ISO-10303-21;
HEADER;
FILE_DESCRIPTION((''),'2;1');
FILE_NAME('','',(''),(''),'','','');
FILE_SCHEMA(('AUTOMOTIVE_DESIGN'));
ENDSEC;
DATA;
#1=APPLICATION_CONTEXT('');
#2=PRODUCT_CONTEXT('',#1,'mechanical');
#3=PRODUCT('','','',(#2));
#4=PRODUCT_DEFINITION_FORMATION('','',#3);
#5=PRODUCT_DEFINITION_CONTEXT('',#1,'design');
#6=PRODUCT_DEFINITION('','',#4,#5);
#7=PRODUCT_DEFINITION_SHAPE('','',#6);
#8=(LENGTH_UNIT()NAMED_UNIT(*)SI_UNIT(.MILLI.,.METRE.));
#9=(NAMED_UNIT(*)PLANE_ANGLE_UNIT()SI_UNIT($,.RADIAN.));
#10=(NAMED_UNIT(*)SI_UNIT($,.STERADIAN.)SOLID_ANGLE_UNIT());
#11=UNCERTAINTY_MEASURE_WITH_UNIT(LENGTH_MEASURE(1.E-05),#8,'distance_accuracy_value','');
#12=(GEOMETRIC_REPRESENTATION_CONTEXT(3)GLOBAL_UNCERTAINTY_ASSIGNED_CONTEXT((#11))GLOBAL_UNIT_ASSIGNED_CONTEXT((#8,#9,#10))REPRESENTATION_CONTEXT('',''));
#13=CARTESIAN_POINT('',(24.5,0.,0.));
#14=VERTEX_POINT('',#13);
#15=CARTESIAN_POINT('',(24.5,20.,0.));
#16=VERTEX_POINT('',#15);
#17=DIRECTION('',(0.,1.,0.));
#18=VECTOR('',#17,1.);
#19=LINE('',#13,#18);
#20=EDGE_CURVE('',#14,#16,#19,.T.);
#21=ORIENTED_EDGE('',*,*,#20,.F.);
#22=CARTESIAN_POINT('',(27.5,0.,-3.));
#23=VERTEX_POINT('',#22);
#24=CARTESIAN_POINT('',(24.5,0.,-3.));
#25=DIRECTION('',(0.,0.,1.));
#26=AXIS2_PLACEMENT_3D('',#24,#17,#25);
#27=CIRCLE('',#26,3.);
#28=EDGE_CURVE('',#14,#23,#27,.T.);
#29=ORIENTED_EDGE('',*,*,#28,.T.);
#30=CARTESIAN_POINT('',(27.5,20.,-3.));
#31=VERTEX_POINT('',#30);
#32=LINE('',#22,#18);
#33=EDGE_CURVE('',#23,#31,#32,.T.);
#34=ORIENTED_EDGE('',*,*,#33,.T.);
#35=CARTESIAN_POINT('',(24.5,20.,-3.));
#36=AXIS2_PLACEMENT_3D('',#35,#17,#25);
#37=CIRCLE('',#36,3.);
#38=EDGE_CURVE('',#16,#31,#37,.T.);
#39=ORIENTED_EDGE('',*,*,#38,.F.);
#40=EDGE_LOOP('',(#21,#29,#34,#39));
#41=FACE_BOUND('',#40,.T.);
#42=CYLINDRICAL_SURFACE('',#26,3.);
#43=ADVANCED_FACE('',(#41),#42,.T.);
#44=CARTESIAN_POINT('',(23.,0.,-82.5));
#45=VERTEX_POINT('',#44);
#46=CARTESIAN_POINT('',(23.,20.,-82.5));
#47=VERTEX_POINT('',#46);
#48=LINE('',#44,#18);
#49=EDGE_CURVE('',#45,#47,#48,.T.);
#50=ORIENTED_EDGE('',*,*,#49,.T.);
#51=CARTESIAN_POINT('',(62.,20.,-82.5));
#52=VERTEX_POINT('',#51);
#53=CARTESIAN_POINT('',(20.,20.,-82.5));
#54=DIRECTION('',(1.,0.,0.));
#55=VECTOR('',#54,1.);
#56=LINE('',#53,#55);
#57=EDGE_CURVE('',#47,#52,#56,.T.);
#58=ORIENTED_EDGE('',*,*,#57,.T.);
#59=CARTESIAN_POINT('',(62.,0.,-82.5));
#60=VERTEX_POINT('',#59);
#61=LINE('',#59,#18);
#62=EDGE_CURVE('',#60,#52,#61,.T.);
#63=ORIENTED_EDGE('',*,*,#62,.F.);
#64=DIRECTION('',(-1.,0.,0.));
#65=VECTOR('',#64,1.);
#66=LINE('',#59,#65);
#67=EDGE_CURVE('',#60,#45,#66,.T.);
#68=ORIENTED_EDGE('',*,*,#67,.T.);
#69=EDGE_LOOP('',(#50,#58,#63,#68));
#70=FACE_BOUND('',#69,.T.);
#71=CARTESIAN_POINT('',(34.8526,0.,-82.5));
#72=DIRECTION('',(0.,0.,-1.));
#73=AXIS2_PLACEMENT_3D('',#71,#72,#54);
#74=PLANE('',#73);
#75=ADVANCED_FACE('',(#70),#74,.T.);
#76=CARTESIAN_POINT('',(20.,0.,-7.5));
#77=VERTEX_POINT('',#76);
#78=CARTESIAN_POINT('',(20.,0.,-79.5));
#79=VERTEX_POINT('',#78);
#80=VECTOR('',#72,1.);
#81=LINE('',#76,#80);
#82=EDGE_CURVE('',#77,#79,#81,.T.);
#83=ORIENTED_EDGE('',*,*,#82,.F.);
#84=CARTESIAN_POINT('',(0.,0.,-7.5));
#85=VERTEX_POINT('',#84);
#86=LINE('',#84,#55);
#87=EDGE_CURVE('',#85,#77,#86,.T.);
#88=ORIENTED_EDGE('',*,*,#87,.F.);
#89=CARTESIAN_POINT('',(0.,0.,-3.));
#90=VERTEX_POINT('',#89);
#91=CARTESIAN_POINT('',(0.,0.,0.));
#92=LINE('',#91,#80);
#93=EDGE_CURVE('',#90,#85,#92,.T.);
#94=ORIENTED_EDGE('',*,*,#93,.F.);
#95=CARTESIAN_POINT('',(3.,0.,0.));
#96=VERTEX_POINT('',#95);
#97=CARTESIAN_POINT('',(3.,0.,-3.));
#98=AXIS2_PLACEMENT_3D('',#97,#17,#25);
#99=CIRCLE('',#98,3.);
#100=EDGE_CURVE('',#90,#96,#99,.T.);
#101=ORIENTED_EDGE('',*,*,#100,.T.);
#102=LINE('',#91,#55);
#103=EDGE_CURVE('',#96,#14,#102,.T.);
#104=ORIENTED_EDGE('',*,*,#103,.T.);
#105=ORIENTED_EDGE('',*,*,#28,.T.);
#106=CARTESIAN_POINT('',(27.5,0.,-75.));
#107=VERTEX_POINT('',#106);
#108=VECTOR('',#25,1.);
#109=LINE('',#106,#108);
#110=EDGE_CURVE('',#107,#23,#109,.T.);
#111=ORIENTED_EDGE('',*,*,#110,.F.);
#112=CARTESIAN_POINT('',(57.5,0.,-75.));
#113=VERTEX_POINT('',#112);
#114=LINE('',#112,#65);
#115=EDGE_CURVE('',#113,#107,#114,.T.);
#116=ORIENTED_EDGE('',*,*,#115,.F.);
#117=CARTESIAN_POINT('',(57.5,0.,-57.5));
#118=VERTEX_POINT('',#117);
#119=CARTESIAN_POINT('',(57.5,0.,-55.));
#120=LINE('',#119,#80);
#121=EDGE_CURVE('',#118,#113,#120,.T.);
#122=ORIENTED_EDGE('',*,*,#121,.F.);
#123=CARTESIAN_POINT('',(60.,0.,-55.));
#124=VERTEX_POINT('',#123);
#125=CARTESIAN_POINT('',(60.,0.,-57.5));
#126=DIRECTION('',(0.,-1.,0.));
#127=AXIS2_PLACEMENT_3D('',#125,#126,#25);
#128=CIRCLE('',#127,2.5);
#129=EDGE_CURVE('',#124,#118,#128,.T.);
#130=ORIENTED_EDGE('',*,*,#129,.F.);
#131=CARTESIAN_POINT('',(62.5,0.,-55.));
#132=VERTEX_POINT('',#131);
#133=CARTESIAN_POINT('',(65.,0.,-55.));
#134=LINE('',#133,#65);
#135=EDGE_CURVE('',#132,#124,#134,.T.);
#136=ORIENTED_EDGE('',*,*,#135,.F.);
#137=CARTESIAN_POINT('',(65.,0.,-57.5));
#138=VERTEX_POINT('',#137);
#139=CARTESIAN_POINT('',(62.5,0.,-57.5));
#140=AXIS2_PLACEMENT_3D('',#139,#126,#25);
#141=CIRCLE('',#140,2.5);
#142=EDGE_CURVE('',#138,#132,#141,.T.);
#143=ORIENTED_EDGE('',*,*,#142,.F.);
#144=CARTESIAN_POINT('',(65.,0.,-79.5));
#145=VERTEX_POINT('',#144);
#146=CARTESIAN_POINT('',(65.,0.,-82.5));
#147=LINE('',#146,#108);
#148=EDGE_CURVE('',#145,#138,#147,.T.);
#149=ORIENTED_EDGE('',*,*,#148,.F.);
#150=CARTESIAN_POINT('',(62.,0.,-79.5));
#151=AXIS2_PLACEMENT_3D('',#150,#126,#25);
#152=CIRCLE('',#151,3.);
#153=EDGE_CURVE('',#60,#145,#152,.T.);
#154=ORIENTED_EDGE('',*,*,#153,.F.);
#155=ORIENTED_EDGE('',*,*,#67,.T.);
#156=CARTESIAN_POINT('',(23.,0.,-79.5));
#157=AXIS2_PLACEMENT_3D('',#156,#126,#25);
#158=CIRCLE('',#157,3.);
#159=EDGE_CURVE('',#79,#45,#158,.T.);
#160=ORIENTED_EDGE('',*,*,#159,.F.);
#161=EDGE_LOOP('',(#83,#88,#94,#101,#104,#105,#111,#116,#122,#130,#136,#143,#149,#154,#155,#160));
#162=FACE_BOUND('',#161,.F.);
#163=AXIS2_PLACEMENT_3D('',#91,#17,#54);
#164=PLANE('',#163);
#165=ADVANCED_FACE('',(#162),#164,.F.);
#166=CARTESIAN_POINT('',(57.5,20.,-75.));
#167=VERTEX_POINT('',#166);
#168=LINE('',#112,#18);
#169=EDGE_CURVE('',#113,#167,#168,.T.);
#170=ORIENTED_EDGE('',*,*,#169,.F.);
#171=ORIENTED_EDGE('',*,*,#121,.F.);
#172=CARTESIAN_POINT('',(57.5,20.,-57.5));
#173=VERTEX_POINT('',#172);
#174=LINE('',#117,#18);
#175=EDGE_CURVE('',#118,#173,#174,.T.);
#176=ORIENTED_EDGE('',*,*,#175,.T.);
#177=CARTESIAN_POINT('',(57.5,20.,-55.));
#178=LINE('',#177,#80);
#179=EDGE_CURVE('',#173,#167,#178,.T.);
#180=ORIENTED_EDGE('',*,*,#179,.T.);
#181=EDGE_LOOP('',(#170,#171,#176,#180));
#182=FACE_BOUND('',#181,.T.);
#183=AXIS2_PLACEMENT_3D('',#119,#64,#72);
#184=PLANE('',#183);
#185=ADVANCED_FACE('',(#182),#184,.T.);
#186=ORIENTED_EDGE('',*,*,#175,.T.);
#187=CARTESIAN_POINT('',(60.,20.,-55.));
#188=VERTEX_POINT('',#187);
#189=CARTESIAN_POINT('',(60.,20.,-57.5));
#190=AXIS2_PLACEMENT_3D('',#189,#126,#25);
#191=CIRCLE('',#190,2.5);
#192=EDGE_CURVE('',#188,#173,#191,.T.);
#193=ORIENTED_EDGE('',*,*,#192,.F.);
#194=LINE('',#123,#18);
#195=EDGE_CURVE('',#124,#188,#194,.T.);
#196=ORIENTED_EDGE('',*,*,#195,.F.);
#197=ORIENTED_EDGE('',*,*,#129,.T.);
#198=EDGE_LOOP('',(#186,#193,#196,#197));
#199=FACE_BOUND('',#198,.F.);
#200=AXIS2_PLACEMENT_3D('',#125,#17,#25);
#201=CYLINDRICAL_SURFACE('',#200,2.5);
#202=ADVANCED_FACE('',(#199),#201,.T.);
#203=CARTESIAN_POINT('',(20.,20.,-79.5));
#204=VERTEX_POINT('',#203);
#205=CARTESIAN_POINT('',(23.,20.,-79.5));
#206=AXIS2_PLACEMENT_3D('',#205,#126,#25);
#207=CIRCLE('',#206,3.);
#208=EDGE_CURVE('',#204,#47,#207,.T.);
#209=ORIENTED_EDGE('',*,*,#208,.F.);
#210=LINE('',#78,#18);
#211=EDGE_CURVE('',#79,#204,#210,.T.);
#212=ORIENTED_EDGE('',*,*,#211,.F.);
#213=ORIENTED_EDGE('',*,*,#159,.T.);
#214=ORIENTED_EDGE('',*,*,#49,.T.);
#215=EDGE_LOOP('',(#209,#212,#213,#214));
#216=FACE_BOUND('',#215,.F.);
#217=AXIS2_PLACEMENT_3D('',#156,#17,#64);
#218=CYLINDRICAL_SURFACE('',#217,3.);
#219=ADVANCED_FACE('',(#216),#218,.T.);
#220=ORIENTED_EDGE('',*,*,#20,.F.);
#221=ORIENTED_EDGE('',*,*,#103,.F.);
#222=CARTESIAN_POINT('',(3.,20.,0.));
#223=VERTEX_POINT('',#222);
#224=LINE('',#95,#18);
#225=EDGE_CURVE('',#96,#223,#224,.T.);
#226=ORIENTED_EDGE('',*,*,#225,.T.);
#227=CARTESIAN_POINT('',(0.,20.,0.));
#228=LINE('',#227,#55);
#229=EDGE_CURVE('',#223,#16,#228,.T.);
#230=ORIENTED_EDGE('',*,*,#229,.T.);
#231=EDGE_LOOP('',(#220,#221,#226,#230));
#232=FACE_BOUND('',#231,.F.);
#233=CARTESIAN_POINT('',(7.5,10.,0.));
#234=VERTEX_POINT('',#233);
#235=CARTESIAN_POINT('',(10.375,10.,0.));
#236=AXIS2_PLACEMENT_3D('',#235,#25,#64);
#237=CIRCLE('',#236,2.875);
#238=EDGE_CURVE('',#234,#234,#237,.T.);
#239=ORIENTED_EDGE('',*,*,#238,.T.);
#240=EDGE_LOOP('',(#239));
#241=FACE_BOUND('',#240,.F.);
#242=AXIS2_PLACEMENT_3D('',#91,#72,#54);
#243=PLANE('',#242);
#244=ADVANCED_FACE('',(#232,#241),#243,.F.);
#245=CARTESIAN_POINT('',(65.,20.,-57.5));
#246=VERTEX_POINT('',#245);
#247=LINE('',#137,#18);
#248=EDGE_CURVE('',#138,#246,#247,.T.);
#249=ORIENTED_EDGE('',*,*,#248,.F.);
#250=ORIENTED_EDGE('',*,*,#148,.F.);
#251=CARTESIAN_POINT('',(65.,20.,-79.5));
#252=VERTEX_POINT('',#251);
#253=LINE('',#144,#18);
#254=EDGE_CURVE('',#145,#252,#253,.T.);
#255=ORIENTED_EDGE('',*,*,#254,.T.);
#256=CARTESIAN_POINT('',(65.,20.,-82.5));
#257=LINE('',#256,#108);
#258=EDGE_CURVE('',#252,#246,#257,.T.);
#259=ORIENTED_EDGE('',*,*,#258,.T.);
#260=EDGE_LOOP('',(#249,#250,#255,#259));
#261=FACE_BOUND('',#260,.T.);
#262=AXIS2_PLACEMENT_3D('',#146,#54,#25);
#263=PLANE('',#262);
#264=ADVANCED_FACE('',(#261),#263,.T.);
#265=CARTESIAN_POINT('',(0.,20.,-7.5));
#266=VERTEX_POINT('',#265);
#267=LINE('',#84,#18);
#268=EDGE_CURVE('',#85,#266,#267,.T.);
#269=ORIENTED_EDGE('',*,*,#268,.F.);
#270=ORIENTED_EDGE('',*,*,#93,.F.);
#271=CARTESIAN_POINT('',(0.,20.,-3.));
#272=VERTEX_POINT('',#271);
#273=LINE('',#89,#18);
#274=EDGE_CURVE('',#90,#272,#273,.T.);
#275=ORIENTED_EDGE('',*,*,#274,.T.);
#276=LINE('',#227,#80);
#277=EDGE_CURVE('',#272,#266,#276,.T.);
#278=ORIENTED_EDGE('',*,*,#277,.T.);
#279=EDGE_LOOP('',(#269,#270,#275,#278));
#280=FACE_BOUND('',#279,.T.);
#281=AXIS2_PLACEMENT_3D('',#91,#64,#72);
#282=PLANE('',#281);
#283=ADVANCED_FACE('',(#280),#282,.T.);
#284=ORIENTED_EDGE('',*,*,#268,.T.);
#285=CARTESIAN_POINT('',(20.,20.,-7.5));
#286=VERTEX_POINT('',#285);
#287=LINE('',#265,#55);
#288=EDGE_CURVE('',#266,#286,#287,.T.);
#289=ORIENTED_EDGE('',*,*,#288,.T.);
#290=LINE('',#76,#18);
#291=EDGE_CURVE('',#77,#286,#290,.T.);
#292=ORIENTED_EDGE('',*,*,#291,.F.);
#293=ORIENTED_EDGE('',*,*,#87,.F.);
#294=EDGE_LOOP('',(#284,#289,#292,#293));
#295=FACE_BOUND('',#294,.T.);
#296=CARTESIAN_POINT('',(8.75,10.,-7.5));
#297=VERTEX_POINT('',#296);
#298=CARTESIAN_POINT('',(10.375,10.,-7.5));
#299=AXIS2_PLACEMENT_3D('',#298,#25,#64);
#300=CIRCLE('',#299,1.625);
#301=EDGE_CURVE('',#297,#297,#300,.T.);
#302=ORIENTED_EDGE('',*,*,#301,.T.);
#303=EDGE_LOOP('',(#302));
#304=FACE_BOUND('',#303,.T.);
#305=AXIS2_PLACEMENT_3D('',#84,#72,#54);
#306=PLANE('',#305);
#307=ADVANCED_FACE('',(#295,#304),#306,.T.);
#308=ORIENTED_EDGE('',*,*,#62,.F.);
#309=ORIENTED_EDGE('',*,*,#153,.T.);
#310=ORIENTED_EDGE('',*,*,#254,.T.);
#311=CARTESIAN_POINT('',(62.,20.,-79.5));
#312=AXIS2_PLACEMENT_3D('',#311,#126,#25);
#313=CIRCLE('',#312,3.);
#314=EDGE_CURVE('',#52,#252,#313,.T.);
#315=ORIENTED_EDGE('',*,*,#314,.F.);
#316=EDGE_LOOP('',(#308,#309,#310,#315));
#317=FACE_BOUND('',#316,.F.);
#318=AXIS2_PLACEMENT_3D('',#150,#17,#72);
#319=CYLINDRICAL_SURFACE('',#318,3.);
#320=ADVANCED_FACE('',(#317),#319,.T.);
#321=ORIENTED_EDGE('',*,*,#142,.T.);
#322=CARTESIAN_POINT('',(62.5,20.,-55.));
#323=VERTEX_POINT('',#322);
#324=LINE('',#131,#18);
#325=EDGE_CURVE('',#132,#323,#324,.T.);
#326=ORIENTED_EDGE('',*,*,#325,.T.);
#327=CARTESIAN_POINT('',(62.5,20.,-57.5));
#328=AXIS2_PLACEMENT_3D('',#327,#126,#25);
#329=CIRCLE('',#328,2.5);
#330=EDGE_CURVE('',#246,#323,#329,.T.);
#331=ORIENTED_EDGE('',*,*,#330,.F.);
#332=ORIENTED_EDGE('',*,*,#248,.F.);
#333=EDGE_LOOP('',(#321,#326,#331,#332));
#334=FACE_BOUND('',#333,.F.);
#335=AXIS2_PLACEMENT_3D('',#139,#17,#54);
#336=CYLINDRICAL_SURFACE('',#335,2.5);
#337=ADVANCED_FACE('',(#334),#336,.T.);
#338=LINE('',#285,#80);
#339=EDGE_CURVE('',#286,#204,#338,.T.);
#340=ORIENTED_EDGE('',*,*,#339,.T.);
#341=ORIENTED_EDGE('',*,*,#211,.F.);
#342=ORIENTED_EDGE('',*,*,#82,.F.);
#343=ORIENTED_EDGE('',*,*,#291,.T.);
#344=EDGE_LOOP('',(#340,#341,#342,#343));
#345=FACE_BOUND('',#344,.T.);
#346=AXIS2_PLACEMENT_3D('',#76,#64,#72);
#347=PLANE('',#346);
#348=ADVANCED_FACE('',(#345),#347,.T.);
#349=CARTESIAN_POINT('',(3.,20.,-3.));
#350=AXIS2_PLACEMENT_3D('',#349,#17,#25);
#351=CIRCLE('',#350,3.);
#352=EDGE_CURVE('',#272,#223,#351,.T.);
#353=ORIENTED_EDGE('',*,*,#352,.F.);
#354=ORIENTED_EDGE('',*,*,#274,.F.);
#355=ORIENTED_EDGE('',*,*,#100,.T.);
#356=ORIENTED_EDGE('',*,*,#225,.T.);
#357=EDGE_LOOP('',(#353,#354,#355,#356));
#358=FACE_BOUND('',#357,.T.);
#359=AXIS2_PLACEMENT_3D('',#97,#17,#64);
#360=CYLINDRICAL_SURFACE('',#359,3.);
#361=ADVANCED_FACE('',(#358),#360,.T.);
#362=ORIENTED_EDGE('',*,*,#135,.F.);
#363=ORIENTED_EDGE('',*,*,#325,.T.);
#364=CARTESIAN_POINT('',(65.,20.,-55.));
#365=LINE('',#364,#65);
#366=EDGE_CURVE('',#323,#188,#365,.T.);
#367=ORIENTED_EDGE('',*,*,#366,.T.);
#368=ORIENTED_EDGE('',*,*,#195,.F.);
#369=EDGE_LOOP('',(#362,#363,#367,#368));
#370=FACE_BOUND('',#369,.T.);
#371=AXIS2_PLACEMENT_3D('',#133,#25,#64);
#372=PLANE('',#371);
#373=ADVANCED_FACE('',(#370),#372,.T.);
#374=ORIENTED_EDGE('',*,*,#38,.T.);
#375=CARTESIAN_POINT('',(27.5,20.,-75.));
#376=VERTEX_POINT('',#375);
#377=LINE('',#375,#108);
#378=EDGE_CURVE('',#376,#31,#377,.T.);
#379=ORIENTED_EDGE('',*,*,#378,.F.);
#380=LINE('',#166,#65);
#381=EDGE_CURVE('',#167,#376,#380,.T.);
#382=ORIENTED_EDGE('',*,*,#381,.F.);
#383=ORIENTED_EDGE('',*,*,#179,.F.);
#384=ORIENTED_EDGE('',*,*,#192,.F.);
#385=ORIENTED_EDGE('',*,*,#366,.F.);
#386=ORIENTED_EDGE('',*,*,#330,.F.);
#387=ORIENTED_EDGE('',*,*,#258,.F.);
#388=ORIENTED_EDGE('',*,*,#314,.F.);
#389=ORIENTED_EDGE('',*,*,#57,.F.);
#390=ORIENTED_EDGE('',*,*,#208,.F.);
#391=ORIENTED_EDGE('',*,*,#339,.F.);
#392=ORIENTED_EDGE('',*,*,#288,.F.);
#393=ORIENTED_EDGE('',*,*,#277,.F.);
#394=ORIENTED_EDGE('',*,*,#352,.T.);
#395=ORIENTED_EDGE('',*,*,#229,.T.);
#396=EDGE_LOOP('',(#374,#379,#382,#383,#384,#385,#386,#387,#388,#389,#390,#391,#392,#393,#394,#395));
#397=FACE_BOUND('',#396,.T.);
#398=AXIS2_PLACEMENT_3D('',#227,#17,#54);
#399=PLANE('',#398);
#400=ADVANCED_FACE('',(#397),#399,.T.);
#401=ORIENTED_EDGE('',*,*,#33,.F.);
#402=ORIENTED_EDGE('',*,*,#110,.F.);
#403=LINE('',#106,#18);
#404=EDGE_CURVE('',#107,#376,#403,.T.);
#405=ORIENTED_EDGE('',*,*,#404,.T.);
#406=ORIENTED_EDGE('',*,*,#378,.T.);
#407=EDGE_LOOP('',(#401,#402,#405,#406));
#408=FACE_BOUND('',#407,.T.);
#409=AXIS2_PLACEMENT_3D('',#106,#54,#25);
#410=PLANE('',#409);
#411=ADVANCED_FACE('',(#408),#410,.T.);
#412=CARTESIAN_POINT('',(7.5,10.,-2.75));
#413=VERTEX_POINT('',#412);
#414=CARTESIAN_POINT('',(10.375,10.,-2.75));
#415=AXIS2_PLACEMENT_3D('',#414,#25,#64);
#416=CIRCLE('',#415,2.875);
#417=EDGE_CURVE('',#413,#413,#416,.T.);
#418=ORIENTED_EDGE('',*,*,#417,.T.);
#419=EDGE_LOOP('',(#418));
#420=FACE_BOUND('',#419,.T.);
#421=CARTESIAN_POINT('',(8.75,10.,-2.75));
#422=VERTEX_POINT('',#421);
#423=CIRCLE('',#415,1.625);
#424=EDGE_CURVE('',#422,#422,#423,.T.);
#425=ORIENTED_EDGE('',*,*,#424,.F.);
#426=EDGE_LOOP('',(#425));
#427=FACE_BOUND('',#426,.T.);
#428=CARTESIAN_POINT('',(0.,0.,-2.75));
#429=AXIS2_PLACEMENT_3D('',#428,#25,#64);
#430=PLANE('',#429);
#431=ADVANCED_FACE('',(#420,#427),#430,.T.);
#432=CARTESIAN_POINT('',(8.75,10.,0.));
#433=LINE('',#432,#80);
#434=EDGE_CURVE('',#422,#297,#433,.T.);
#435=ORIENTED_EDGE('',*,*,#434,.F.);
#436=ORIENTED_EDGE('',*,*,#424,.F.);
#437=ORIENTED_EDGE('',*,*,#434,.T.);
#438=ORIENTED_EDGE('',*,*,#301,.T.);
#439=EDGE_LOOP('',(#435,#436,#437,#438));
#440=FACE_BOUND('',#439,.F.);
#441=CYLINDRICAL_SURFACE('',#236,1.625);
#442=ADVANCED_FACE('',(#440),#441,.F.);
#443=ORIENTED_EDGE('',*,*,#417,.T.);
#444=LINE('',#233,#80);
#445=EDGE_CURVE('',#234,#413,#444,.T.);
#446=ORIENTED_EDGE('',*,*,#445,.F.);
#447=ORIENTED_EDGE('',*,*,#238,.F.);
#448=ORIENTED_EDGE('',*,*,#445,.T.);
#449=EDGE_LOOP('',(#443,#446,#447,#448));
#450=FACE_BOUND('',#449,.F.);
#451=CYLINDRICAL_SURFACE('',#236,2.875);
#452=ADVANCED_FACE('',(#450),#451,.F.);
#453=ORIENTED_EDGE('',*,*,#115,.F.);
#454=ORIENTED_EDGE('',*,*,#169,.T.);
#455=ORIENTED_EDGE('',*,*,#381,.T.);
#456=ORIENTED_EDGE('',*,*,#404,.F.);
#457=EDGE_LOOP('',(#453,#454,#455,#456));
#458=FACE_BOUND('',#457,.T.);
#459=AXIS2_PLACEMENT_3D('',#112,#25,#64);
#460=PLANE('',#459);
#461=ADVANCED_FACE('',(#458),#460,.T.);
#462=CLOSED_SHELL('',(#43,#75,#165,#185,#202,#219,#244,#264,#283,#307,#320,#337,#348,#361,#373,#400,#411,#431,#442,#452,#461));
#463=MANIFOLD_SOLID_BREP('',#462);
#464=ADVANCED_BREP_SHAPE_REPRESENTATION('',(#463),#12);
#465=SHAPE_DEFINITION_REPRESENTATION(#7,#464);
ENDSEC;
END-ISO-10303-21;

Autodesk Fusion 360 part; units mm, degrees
sketch "side" plane through (0, 0, 0) normal (0, 1, 0) x (1, 0, 0)
  line L0 (0, 0) -> (27.5, 0)
  line L1 (0, 0) -> (0, 7.5)
  line L2 (0, 7.5) -> (20, 7.5)
  line L3 (20, 7.5) -> (20, 82.5)
  line L4 (34.8526, 82.5) -> (20, 82.5)
  line L5 (34.8526, 82.5) -> (65, 82.5)
  line L6 (65, 82.5) -> (65, 55)
  line L7 (65, 55) -> (57.5, 55)
  line L8 (57.5, 55) -> (57.5, 75)
  line L9 (57.5, 75) -> (27.5, 75)
  line L10 (27.5, 75) -> (27.5, 0)
  dimension "d1" = 7.5
  dimension "d2" = 7.5
  dimension "d3" = 7.5
  dimension "d4" = 20
  dimension "d5" = 7.5
  dimension "d6" = 30
  dimension "d7" = 20
  dimension "d8" = 75
extrude "Extrude1" add sketch "side" along normal blind 20
sketch "top" plane through (0, 0, 0) normal (0, 0, 1) x (-1, 0, 0)
  line L0 (0, 0) -> (-27.5, 0)
  line L1 (-27.5, 0) -> (-27.5, -20)
  line L2 (-27.5, -20) -> (0, -20)
  line L3 (0, -20) -> (0, 0)
  line L4 (-13.75, -20) -> (-13.75, 0) construction
  circle A0 centre (-10.375, -10) radius 1.625
  circle A1 centre (-10.375, -10) radius 2.875
  line L5 (-10.375, -10) -> (0, -10) construction
  dimension "d11" = 3.25
  dimension "d12" = 5.75
  dimension "d27" = 7.5
fillet "Fillet1" radius 3 1 edges at (65, 10, -82.5)
fillet "Fillet2" radius 3 1 edges at (27.5, 10, 0)
fillet "Fillet3" radius 3 1 edges at (20, 10, -82.5)
fillet "Fillet4" radius 2.5 2 edges at (65, 10, -55) (57.5, 10, -55)
fillet "Fillet5" radius 3 1 edges at (0, 10, 0)
extrude "Extrude2" cut sketch "top" against normal up to surface (7.5 mm away) contours A0
extrude "Extrude3" cut sketch "top" against normal blind 2.75 contours A1
